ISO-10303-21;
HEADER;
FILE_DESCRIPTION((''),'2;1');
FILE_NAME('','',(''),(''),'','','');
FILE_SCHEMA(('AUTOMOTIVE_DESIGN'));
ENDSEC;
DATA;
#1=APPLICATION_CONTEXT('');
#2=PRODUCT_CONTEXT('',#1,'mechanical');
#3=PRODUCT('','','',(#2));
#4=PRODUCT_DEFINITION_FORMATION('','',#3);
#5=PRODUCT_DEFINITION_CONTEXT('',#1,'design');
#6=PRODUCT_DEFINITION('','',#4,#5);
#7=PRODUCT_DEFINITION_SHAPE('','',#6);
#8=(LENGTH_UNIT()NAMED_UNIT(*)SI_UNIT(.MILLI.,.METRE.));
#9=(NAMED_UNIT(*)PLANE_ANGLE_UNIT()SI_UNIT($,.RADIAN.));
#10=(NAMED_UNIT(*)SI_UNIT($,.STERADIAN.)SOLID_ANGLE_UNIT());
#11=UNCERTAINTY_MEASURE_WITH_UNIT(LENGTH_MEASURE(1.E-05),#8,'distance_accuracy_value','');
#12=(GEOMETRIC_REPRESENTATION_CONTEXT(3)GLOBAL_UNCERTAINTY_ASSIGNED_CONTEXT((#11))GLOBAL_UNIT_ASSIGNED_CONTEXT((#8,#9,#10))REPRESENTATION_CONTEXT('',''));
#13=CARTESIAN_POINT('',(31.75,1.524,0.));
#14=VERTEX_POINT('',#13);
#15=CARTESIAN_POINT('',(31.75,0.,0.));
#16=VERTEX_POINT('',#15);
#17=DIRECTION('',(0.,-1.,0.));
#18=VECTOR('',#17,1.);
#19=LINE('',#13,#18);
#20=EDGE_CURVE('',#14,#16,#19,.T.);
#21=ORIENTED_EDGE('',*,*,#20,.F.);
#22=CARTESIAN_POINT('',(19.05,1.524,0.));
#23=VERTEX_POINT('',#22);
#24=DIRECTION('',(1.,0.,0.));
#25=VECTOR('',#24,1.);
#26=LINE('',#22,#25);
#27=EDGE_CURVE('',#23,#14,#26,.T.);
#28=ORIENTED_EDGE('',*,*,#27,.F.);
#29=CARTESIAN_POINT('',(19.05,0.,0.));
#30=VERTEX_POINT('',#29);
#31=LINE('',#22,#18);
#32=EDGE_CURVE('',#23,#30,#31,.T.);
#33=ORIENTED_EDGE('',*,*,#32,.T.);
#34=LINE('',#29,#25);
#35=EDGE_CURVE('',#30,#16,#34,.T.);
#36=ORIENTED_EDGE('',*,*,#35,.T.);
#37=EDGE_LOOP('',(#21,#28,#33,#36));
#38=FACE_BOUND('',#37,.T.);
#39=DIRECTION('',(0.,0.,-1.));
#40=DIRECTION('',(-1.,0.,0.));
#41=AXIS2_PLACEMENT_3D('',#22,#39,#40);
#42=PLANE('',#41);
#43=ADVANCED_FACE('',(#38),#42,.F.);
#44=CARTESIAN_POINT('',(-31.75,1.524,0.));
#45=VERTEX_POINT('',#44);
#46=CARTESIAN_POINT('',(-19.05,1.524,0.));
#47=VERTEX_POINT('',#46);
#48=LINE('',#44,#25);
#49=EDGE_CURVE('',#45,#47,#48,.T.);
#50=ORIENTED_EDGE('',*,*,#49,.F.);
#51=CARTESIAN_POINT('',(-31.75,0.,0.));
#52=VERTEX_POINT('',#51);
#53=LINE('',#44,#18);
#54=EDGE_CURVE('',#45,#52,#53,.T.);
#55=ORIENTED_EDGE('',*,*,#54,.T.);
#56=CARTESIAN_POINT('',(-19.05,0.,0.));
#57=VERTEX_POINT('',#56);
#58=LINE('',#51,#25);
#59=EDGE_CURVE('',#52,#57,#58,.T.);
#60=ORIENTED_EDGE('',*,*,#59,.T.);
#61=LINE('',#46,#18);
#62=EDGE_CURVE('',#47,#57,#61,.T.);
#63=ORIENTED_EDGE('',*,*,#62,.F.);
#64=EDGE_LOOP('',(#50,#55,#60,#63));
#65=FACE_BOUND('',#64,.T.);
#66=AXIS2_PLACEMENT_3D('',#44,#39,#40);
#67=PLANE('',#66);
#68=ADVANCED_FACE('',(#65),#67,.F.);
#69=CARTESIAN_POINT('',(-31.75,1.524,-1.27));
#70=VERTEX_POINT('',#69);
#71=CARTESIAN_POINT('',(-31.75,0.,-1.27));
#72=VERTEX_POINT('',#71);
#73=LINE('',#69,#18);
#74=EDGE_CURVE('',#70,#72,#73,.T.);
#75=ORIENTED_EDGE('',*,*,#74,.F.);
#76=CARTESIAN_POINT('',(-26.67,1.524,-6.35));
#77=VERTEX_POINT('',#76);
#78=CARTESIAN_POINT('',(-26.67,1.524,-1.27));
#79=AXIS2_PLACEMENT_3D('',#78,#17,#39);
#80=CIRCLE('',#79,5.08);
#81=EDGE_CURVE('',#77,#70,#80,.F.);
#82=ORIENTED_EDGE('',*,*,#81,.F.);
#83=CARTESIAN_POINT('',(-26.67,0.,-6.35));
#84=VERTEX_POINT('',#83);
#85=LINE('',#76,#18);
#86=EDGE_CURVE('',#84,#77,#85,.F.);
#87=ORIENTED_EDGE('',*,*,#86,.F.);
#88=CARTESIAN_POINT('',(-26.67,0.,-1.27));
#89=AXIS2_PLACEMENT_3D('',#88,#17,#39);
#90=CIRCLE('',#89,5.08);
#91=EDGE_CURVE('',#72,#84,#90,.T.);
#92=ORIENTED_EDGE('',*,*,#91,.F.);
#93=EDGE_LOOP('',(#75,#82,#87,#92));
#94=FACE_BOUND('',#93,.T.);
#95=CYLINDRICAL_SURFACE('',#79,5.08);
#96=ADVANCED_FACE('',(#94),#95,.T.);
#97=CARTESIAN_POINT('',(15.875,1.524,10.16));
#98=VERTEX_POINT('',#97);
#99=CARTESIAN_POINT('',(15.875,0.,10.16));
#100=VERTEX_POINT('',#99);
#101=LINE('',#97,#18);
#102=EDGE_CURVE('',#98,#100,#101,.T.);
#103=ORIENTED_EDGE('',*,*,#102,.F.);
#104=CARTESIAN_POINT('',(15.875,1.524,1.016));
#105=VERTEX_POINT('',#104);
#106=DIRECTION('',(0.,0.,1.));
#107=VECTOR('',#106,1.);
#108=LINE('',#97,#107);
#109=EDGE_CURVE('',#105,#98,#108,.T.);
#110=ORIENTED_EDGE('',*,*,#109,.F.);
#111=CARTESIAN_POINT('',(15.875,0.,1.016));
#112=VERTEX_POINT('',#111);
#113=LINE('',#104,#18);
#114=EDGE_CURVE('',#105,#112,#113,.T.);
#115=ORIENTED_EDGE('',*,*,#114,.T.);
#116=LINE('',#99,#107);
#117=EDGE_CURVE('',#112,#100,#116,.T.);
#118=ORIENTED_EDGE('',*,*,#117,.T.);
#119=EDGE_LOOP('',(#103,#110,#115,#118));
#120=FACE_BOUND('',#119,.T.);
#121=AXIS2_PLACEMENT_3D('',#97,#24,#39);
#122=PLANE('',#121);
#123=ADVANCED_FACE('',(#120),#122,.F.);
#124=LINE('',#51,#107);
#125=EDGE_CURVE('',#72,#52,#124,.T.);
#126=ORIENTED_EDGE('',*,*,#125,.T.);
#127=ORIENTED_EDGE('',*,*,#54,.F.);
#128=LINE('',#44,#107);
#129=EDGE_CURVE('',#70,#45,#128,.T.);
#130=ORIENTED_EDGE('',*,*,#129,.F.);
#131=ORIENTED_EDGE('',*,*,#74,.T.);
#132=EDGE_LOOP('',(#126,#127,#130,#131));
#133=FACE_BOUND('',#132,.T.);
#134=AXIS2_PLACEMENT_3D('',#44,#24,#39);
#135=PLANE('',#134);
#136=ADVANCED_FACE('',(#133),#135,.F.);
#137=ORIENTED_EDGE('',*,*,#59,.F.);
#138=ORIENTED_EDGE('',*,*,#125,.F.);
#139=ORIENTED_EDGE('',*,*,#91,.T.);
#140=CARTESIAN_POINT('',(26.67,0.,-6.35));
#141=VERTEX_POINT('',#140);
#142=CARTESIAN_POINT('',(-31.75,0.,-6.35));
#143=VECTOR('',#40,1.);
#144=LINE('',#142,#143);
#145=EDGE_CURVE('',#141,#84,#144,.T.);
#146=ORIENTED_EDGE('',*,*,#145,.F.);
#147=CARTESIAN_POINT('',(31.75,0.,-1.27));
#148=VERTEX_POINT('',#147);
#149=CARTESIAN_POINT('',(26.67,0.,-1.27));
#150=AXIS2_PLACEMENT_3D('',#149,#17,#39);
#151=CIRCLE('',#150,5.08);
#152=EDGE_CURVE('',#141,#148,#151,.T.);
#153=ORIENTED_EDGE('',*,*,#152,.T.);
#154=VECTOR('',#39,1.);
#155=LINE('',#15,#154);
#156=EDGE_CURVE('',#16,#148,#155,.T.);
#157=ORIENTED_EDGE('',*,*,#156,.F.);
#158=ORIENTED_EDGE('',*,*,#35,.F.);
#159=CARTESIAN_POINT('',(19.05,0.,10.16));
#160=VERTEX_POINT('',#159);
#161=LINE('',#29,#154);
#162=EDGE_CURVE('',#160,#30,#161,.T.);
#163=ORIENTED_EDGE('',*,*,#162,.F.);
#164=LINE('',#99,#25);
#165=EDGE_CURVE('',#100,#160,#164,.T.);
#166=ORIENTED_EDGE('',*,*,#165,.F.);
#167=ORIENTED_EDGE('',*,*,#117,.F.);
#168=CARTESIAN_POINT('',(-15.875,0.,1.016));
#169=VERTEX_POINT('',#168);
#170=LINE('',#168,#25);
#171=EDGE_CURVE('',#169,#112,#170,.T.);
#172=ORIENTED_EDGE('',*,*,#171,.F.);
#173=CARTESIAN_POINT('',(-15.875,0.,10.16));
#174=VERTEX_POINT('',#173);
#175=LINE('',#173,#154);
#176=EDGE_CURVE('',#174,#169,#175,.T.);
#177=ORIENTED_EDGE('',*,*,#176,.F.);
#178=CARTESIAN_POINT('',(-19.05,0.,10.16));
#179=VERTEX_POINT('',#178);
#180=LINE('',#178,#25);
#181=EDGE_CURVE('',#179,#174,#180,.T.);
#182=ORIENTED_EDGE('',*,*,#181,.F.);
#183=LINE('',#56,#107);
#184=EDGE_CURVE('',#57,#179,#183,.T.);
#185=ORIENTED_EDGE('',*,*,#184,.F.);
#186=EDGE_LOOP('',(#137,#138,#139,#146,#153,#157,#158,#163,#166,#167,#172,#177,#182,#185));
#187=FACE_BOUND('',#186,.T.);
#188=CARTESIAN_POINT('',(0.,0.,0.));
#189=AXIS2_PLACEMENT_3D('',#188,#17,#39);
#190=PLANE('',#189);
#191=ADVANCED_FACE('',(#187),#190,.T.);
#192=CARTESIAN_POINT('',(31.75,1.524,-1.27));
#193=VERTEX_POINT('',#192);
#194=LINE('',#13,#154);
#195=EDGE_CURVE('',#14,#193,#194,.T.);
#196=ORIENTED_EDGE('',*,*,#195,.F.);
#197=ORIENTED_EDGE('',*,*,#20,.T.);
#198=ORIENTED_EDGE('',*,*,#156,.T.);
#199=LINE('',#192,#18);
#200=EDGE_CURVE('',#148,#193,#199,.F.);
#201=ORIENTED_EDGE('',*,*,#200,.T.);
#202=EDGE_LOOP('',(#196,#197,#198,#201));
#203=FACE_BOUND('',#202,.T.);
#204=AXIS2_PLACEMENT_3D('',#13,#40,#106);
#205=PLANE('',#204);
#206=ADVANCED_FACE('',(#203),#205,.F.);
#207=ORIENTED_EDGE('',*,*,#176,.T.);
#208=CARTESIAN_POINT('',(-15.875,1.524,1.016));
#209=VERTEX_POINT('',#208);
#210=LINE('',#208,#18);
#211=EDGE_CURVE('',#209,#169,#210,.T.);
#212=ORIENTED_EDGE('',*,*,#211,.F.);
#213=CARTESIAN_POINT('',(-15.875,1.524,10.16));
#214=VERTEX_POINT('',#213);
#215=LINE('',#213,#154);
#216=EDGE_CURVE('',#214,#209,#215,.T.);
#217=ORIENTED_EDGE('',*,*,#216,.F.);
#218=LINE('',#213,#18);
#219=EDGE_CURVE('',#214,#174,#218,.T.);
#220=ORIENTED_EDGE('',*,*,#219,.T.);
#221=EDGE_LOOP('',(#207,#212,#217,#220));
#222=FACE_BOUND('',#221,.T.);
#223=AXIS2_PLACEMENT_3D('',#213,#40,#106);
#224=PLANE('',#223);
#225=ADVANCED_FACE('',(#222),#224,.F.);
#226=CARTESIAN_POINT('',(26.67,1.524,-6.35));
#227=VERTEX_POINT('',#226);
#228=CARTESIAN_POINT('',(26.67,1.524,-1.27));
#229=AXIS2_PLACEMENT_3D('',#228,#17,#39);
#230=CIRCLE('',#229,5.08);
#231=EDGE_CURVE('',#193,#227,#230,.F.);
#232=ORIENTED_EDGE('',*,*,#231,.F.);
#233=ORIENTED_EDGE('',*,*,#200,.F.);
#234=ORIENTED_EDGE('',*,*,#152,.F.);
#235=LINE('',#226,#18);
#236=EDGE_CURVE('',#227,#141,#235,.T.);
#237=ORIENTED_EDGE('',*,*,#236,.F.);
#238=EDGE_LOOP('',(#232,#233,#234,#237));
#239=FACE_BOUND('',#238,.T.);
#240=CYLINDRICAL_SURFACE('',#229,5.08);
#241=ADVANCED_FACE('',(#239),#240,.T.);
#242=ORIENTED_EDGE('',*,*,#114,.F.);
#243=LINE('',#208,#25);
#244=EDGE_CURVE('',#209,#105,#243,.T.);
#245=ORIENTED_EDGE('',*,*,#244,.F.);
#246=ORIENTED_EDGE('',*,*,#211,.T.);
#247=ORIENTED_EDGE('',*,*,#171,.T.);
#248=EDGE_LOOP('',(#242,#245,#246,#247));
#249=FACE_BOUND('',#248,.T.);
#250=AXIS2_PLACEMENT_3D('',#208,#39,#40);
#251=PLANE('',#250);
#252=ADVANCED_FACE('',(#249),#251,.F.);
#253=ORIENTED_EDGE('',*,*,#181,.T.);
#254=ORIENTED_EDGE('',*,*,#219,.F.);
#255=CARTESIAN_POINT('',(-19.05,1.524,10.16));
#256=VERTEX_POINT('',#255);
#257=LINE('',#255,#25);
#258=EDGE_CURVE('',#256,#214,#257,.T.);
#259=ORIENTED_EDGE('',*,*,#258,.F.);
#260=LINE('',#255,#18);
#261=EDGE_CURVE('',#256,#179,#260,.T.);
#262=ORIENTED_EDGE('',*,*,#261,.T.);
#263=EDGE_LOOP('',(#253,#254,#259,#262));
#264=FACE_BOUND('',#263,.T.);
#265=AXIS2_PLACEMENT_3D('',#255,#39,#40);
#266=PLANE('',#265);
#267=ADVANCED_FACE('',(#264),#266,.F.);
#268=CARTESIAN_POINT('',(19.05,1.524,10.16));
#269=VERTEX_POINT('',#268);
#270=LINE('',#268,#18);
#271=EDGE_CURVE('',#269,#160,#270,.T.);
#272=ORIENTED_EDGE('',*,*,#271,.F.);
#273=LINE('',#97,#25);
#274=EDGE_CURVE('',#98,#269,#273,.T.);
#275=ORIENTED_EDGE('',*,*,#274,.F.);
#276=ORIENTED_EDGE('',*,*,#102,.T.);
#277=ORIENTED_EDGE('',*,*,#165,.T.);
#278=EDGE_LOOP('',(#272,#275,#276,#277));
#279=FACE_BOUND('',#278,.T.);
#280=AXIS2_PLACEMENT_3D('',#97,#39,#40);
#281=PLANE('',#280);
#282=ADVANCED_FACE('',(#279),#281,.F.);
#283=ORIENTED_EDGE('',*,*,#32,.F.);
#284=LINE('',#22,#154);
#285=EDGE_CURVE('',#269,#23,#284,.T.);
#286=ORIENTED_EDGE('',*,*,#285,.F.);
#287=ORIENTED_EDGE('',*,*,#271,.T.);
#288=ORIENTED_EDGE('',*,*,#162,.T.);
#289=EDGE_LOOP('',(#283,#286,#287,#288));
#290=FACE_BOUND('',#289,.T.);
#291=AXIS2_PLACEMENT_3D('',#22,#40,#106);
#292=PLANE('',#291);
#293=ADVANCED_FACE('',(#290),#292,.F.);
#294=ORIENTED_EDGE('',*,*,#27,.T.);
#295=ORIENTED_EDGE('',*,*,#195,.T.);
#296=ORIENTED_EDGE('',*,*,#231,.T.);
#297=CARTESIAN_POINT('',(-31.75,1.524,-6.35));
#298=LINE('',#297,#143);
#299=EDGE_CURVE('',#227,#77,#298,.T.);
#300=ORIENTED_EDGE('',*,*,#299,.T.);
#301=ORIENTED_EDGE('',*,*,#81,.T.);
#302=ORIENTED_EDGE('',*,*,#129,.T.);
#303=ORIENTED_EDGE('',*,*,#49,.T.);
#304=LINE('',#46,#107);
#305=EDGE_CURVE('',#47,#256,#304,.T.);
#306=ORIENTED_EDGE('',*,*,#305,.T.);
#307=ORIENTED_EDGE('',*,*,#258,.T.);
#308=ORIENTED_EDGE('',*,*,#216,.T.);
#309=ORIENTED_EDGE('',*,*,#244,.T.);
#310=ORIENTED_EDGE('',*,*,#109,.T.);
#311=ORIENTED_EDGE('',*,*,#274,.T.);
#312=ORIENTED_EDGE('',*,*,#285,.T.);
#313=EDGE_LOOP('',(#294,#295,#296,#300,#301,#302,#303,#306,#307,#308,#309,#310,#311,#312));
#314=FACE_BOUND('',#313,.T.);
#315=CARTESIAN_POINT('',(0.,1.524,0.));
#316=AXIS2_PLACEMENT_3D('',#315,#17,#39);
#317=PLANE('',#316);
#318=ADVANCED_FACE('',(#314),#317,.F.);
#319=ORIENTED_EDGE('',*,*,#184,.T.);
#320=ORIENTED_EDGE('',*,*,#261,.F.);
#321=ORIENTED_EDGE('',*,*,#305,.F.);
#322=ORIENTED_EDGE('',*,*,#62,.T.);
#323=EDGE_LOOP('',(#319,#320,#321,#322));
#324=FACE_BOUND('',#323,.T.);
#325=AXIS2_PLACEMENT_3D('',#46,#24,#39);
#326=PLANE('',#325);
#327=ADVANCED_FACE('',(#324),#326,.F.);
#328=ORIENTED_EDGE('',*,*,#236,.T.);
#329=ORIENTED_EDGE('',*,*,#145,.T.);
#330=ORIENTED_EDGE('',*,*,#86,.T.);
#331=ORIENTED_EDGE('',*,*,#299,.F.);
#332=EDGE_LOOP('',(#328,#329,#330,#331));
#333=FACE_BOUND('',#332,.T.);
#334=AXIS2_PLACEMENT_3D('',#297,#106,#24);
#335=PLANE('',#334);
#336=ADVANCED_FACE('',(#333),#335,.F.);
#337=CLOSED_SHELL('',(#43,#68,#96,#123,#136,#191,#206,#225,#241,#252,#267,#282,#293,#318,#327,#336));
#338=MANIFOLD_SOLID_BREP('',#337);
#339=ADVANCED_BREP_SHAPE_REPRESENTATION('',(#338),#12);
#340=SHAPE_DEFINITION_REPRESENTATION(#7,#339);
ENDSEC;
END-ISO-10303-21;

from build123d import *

# Parameters (mm, degrees)
BOSS_EXTRUDE1_DEPTH = 1.524
FILLET1_R           = 5.08


with BuildPart() as part:
    # Sketch1 → Boss-Extrude1 (new body)
    with BuildSketch(Plane(origin=(0, 0, 0), x_dir=(1, 0, 0), z_dir=(0, 1, 0))):
        Polygon((19.05, 0), (31.75, 0), (31.75, 6.35), (-31.75, 6.35), (-31.75, 0), (-19.05, 0), (-19.05, -10.16), (-15.875, -10.16), (-15.875, -1.016), (15.875, -1.016), (15.875, -10.16), (19.05, -10.16), align=None)
    extrude(amount=BOSS_EXTRUDE1_DEPTH)

    # Fillet1
    fillet1_edges = [part.edges().sort_by_distance(p)[0] for p in [
        (-31.75, 0.762, -6.35),
        (31.75, 0.762, -6.35),
    ]]
    fillet(fillet1_edges, radius=FILLET1_R)


solid = part.part
